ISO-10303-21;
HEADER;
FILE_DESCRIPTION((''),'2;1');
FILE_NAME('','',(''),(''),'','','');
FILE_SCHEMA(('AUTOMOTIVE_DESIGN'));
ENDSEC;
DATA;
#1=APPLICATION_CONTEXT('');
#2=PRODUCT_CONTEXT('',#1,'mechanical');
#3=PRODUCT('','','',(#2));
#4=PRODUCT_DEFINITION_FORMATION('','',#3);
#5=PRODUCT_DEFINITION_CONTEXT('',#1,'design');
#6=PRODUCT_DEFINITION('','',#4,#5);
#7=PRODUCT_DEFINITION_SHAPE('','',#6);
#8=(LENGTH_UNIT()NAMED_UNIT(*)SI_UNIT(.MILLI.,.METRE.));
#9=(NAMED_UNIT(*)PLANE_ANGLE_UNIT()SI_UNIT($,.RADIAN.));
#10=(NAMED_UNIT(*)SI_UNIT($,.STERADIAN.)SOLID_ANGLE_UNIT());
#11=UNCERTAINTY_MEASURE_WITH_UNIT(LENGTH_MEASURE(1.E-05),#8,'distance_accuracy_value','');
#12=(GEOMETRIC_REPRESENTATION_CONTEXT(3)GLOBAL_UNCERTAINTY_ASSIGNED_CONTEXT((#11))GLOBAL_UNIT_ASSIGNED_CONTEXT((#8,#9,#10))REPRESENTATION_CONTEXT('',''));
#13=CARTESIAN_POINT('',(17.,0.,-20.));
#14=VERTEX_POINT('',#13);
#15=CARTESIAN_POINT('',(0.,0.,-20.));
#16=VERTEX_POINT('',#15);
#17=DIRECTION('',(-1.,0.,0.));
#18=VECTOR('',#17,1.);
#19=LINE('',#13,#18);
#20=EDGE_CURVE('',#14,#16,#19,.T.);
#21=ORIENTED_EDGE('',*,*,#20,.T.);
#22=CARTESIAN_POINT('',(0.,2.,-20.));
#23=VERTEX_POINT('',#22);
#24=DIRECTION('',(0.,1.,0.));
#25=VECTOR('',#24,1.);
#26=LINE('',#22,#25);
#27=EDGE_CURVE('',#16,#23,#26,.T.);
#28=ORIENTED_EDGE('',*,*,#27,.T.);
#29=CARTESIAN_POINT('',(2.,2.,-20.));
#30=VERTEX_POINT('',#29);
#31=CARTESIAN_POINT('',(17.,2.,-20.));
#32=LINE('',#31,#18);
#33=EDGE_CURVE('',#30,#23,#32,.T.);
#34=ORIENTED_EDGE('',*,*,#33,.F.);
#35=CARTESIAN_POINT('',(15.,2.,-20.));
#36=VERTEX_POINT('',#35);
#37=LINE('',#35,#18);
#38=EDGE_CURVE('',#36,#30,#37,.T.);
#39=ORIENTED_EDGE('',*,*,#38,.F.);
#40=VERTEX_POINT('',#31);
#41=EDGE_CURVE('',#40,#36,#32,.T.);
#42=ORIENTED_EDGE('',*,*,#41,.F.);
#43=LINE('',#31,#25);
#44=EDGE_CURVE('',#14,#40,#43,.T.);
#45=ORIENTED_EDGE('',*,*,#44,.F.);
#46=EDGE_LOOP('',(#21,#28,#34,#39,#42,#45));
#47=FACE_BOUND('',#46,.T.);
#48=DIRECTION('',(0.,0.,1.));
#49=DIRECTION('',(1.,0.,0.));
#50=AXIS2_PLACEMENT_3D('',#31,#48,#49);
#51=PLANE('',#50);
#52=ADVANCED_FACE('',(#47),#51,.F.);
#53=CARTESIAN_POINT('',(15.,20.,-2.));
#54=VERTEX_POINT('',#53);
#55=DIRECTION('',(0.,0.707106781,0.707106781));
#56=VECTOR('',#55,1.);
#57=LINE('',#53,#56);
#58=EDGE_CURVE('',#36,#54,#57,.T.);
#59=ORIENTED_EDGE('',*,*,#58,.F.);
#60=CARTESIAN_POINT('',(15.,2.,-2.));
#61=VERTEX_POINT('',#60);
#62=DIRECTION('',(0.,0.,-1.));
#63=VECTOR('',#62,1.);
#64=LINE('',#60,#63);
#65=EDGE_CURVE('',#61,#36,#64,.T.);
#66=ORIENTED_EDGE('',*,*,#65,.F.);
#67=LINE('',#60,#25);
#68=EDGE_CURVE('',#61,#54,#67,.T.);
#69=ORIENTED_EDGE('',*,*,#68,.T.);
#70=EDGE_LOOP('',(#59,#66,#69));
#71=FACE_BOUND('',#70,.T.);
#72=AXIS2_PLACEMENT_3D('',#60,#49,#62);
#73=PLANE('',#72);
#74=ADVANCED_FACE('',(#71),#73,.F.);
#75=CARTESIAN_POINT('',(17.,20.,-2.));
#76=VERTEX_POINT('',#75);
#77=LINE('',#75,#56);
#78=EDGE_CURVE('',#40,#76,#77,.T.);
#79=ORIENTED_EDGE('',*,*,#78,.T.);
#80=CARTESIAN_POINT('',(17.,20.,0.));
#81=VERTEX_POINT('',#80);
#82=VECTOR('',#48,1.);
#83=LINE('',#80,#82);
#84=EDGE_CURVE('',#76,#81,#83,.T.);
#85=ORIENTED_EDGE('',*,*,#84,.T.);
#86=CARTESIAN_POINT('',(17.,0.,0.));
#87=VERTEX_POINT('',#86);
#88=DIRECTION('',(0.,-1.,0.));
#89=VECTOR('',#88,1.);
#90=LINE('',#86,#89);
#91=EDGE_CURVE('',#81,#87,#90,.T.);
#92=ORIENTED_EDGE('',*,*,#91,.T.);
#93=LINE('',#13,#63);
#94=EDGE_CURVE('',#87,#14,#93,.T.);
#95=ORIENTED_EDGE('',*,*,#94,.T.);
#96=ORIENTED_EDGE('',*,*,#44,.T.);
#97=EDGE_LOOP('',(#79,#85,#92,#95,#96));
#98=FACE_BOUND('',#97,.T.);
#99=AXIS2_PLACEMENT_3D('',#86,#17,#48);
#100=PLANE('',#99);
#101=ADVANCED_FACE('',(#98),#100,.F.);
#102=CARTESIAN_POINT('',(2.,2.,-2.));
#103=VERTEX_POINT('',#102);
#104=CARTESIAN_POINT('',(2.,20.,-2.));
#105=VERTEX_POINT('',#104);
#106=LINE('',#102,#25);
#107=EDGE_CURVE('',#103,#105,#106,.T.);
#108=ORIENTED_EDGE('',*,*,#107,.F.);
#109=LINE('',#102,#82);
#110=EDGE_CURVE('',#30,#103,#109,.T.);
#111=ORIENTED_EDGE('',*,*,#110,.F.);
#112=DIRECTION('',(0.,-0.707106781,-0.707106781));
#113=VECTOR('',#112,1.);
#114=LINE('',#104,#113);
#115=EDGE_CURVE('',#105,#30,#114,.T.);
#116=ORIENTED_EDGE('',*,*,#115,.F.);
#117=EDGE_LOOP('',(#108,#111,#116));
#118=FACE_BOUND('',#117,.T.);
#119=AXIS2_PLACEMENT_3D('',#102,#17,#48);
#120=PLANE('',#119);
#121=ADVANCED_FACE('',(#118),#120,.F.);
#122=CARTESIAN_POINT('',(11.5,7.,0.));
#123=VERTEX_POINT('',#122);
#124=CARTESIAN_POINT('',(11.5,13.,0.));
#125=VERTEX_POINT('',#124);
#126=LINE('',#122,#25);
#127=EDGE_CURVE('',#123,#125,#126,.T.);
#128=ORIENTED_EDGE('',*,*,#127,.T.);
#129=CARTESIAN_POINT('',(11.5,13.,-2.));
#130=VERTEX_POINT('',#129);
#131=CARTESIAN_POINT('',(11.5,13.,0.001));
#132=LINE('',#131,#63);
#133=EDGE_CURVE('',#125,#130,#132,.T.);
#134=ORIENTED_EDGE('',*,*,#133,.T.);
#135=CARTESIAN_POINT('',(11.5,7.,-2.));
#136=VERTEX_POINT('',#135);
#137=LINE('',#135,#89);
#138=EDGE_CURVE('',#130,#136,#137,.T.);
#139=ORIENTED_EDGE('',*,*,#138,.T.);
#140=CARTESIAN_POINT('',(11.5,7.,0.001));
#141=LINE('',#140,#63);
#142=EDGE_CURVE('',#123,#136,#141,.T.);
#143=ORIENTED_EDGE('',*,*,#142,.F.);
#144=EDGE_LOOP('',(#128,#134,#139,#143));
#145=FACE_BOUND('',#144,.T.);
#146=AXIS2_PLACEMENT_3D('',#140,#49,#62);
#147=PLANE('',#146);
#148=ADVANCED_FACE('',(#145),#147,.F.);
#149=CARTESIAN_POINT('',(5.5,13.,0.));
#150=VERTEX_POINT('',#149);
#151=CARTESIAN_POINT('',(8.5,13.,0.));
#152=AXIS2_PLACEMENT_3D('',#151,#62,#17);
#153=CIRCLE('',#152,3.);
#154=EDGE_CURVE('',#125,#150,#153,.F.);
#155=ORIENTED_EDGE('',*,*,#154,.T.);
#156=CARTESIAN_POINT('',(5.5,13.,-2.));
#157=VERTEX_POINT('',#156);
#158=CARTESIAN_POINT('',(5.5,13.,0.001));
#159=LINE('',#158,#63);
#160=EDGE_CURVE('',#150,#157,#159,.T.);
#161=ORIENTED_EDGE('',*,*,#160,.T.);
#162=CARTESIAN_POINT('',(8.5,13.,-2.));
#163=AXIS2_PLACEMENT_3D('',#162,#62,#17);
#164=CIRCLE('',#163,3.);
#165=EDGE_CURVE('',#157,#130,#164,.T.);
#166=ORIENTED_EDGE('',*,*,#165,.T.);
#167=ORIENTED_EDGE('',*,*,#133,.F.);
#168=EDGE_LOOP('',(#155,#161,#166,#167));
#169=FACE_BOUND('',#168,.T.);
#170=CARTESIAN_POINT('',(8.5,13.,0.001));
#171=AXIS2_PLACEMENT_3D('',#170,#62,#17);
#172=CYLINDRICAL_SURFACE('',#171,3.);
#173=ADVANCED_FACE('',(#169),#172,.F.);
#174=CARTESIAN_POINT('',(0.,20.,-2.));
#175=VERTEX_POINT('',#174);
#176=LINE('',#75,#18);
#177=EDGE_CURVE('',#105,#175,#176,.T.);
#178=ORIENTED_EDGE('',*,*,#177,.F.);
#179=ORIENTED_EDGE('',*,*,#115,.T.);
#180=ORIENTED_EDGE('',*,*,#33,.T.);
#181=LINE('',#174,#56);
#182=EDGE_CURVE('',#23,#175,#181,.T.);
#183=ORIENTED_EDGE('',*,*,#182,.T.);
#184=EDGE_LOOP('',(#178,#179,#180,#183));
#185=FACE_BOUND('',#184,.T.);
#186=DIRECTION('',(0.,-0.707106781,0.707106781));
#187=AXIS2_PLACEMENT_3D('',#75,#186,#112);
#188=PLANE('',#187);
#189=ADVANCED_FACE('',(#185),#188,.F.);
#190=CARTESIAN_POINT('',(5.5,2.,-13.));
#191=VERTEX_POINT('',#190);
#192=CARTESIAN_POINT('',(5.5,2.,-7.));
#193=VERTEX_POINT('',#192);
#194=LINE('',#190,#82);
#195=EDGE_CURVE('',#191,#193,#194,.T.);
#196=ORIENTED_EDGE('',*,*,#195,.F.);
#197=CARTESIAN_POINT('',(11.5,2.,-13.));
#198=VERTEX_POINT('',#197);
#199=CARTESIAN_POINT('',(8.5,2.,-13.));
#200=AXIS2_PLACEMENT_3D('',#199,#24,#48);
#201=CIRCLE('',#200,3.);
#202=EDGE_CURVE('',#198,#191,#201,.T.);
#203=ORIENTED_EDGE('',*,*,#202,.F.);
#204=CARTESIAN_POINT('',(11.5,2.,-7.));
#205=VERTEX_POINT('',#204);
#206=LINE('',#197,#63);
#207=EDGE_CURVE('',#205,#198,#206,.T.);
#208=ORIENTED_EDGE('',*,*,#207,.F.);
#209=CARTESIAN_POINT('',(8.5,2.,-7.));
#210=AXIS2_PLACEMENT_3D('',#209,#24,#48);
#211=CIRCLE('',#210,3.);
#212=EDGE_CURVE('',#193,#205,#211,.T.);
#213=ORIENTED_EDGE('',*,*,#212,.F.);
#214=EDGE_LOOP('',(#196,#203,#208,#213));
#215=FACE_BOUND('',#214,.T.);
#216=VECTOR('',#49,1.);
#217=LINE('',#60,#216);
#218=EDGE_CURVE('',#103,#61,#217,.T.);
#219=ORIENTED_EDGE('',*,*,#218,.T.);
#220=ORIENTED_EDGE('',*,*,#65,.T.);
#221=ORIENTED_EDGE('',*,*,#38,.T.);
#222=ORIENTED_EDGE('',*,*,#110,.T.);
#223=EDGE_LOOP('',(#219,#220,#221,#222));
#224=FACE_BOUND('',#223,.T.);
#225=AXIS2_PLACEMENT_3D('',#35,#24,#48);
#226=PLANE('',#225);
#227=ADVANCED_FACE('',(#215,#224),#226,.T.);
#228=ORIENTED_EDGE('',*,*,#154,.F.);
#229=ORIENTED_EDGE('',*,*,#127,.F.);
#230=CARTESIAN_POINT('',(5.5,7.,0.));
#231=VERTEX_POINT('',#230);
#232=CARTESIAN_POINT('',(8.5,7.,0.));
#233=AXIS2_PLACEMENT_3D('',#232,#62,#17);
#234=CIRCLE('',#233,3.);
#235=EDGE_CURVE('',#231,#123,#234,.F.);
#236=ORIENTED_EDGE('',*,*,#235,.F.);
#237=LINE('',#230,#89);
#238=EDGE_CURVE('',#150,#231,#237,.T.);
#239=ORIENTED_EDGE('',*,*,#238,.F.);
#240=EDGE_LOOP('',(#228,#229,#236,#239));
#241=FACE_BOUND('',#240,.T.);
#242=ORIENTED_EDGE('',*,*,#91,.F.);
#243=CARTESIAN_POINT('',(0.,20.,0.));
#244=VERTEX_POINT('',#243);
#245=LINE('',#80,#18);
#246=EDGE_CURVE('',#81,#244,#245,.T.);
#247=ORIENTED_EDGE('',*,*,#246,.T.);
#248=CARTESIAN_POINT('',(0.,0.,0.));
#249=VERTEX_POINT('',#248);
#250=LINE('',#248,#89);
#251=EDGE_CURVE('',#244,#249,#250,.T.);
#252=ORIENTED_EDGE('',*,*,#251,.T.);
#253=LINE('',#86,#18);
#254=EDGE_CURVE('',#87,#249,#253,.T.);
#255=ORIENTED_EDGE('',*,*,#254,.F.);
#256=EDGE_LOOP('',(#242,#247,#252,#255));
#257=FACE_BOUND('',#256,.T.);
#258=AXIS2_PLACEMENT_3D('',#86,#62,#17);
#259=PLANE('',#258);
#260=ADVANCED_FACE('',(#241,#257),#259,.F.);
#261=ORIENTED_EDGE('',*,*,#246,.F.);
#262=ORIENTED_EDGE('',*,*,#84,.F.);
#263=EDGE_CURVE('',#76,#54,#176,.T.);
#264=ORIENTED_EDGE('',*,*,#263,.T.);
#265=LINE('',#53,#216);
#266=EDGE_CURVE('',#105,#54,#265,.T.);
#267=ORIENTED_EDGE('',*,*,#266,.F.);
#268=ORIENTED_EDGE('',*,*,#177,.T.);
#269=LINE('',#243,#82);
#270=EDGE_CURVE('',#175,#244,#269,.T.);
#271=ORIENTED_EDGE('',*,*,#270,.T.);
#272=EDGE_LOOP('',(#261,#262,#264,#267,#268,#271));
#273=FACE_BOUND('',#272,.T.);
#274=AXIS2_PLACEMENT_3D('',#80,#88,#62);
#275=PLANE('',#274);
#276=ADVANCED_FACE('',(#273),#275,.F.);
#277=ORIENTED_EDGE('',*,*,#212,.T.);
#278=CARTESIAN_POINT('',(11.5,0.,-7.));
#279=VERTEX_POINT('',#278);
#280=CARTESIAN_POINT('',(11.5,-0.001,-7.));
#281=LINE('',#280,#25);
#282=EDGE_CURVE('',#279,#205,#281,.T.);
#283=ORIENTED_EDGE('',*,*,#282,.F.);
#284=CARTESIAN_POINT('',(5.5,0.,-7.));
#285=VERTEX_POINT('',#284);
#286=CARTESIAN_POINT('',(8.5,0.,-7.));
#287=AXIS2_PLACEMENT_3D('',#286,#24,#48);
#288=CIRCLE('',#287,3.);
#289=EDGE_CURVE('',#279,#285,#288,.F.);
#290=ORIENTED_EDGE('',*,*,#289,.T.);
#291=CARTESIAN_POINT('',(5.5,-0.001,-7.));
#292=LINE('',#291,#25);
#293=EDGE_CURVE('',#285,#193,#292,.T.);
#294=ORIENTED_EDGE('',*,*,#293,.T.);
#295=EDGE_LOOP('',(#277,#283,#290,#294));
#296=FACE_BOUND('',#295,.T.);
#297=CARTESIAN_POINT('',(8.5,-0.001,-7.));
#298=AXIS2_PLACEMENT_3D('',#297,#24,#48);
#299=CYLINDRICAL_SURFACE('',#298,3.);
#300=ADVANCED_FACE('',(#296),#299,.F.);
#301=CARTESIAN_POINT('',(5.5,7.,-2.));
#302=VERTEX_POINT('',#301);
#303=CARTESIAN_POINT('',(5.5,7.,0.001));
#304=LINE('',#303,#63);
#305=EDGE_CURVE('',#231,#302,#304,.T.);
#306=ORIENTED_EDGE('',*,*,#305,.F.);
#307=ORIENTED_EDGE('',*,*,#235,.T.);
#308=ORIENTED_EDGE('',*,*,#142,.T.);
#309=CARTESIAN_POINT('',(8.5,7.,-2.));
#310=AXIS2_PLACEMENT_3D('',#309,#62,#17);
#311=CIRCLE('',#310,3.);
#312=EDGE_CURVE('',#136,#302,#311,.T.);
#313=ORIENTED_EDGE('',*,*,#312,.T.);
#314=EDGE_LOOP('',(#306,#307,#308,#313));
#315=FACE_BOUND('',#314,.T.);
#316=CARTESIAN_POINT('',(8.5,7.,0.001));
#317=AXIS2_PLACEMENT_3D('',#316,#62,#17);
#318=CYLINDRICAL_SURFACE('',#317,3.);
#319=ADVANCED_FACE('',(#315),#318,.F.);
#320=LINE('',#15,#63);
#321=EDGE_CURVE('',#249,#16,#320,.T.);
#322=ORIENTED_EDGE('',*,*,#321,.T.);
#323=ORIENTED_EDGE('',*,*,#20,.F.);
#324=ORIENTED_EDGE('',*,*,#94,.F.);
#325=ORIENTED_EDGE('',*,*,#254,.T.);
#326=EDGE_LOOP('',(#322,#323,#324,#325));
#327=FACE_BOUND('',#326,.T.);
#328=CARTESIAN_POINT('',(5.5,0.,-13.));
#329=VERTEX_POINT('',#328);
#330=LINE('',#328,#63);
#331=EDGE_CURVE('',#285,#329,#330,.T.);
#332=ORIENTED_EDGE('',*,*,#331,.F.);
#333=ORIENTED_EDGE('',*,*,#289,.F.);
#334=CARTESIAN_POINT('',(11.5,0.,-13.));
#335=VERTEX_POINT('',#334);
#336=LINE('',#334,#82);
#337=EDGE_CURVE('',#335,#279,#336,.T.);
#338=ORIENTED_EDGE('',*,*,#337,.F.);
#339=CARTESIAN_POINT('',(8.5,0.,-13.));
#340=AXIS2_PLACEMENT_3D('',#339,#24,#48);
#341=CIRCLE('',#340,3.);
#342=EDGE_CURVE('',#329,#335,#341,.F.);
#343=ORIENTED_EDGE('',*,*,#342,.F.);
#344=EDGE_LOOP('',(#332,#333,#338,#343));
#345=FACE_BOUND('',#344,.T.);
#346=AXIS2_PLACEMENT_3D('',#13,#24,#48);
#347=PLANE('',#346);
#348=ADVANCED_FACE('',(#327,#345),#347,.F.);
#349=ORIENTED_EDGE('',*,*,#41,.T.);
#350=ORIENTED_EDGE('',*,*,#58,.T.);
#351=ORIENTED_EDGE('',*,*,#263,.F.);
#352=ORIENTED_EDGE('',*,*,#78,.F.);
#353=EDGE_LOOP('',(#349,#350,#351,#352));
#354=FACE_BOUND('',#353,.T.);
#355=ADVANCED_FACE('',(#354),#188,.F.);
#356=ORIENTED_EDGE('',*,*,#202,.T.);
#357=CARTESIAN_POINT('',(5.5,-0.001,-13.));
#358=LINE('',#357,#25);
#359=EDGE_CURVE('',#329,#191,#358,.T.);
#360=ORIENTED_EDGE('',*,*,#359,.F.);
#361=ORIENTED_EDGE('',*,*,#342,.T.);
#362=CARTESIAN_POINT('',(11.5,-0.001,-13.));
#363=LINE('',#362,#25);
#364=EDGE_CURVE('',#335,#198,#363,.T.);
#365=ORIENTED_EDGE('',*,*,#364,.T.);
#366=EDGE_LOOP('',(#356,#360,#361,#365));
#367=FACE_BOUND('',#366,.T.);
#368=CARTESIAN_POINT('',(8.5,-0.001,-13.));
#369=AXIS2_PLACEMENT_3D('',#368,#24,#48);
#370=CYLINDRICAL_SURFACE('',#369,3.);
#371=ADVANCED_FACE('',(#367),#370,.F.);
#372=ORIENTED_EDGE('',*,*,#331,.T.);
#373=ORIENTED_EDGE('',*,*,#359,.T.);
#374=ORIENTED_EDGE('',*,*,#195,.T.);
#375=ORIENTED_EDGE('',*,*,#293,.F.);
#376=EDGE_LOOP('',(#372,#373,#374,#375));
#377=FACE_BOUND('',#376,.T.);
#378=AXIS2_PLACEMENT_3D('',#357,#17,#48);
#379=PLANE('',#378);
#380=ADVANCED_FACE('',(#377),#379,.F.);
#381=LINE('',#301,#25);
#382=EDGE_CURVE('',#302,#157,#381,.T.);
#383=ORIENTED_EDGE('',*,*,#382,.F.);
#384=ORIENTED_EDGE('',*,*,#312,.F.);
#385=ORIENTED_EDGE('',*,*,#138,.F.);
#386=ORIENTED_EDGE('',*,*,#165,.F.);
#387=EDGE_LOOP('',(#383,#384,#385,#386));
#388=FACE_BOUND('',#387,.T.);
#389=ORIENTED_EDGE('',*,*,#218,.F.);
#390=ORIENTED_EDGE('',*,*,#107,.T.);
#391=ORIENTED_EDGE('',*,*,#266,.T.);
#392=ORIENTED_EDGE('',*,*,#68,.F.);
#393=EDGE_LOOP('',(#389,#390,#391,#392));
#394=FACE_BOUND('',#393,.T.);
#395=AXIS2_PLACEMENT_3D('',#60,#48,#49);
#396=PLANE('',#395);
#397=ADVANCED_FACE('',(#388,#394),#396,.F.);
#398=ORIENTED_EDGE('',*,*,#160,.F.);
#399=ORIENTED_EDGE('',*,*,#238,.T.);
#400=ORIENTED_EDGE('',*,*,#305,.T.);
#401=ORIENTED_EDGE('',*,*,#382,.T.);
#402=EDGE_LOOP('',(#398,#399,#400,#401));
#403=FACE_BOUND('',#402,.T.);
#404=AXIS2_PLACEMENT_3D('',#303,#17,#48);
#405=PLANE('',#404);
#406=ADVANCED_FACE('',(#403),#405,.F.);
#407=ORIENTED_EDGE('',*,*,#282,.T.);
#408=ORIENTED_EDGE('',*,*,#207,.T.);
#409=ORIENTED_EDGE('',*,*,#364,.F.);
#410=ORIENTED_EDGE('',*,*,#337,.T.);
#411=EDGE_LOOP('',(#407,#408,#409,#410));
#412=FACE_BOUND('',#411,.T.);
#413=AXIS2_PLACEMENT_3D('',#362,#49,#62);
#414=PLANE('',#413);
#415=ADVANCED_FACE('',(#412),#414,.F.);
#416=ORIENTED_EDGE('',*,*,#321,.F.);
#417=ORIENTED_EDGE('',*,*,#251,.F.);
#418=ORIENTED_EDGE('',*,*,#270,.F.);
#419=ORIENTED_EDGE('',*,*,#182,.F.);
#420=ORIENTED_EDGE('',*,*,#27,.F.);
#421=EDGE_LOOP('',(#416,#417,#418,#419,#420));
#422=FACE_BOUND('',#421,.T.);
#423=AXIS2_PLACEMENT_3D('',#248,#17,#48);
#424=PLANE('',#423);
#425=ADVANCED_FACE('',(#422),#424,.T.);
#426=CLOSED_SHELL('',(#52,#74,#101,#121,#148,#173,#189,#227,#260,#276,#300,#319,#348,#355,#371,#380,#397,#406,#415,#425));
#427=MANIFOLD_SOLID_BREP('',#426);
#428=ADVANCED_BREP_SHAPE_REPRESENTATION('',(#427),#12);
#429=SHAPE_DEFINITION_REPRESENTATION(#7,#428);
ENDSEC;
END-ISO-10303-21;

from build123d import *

# Parameters (mm, degrees)
BOSS_EXTRUDE1_DEPTH = 17
SKETCH2_W           = 13
SKETCH2_H           = 18
CUT_EXTRUDE1_DEPTH  = 18
CUT_EXTRUDE2_REACH  = 33.828
CUT_EXTRUDE3_REACH  = 33.828


with BuildPart() as part:
    # Sketch1 → Boss-Extrude1 (new body)
    with BuildSketch(Plane(origin=(0, 0, 0), x_dir=(0, 0, -1), z_dir=(1, 0, 0))):
        Polygon((0, 0), (0, 20), (2, 20), (20, 2), (20, 0), align=None)
    extrude(amount=BOSS_EXTRUDE1_DEPTH)

    # Sketch2 → Cut-Extrude1 (cut)
    with BuildSketch(Plane(origin=(0, 20, 0), x_dir=(1, 0, 0), z_dir=(0, 1, 0))):
        with Locations((8.5, 11)):
            Rectangle(SKETCH2_W, SKETCH2_H)
    extrude(amount=-CUT_EXTRUDE1_DEPTH, mode=Mode.SUBTRACT)

    # Sketch3 → Cut-Extrude2 (cut, up to next)
    with BuildSketch(Plane(origin=(0, 0, -2), x_dir=(-1, 0, 0), z_dir=(0, 0, -1)), mode=Mode.PRIVATE) as cut_extrude2_sk1:
        with BuildLine():
            Line((-11.5, 7), (-11.5, 13))
            ThreePointArc((-11.5, 13), (-8.5, 16), (-5.5, 13))
            Line((-5.5, 13), (-5.5, 7))
            ThreePointArc((-5.5, 7), (-8.5, 4), (-11.5, 7))
        make_face()
    cut_extrude2_tool1 = extrude(cut_extrude2_sk1.sketch, amount=-CUT_EXTRUDE2_REACH, mode=Mode.PRIVATE) & part.part
    add(cut_extrude2_tool1.solids().sort_by_distance((8.5, 10, -2))[0], mode=Mode.SUBTRACT)

    # Sketch4 → Cut-Extrude3 (cut, up to next)
    with BuildSketch(Plane(origin=(0, 2, 0), x_dir=(1, 0, 0), z_dir=(0, 1, 0)), mode=Mode.PRIVATE) as cut_extrude3_sk1:
        with BuildLine():
            Line((11.5, 13), (11.5, 7))
            ThreePointArc((11.5, 7), (8.5, 4), (5.5, 7))
            Line((5.5, 7), (5.5, 13))
            ThreePointArc((5.5, 13), (8.5, 16), (11.5, 13))
        make_face()
    cut_extrude3_tool1 = extrude(cut_extrude3_sk1.sketch, amount=-CUT_EXTRUDE3_REACH, mode=Mode.PRIVATE) & part.part
    add(cut_extrude3_tool1.solids().sort_by_distance((8.5, 2, -10))[0], mode=Mode.SUBTRACT)


solid = part.part
